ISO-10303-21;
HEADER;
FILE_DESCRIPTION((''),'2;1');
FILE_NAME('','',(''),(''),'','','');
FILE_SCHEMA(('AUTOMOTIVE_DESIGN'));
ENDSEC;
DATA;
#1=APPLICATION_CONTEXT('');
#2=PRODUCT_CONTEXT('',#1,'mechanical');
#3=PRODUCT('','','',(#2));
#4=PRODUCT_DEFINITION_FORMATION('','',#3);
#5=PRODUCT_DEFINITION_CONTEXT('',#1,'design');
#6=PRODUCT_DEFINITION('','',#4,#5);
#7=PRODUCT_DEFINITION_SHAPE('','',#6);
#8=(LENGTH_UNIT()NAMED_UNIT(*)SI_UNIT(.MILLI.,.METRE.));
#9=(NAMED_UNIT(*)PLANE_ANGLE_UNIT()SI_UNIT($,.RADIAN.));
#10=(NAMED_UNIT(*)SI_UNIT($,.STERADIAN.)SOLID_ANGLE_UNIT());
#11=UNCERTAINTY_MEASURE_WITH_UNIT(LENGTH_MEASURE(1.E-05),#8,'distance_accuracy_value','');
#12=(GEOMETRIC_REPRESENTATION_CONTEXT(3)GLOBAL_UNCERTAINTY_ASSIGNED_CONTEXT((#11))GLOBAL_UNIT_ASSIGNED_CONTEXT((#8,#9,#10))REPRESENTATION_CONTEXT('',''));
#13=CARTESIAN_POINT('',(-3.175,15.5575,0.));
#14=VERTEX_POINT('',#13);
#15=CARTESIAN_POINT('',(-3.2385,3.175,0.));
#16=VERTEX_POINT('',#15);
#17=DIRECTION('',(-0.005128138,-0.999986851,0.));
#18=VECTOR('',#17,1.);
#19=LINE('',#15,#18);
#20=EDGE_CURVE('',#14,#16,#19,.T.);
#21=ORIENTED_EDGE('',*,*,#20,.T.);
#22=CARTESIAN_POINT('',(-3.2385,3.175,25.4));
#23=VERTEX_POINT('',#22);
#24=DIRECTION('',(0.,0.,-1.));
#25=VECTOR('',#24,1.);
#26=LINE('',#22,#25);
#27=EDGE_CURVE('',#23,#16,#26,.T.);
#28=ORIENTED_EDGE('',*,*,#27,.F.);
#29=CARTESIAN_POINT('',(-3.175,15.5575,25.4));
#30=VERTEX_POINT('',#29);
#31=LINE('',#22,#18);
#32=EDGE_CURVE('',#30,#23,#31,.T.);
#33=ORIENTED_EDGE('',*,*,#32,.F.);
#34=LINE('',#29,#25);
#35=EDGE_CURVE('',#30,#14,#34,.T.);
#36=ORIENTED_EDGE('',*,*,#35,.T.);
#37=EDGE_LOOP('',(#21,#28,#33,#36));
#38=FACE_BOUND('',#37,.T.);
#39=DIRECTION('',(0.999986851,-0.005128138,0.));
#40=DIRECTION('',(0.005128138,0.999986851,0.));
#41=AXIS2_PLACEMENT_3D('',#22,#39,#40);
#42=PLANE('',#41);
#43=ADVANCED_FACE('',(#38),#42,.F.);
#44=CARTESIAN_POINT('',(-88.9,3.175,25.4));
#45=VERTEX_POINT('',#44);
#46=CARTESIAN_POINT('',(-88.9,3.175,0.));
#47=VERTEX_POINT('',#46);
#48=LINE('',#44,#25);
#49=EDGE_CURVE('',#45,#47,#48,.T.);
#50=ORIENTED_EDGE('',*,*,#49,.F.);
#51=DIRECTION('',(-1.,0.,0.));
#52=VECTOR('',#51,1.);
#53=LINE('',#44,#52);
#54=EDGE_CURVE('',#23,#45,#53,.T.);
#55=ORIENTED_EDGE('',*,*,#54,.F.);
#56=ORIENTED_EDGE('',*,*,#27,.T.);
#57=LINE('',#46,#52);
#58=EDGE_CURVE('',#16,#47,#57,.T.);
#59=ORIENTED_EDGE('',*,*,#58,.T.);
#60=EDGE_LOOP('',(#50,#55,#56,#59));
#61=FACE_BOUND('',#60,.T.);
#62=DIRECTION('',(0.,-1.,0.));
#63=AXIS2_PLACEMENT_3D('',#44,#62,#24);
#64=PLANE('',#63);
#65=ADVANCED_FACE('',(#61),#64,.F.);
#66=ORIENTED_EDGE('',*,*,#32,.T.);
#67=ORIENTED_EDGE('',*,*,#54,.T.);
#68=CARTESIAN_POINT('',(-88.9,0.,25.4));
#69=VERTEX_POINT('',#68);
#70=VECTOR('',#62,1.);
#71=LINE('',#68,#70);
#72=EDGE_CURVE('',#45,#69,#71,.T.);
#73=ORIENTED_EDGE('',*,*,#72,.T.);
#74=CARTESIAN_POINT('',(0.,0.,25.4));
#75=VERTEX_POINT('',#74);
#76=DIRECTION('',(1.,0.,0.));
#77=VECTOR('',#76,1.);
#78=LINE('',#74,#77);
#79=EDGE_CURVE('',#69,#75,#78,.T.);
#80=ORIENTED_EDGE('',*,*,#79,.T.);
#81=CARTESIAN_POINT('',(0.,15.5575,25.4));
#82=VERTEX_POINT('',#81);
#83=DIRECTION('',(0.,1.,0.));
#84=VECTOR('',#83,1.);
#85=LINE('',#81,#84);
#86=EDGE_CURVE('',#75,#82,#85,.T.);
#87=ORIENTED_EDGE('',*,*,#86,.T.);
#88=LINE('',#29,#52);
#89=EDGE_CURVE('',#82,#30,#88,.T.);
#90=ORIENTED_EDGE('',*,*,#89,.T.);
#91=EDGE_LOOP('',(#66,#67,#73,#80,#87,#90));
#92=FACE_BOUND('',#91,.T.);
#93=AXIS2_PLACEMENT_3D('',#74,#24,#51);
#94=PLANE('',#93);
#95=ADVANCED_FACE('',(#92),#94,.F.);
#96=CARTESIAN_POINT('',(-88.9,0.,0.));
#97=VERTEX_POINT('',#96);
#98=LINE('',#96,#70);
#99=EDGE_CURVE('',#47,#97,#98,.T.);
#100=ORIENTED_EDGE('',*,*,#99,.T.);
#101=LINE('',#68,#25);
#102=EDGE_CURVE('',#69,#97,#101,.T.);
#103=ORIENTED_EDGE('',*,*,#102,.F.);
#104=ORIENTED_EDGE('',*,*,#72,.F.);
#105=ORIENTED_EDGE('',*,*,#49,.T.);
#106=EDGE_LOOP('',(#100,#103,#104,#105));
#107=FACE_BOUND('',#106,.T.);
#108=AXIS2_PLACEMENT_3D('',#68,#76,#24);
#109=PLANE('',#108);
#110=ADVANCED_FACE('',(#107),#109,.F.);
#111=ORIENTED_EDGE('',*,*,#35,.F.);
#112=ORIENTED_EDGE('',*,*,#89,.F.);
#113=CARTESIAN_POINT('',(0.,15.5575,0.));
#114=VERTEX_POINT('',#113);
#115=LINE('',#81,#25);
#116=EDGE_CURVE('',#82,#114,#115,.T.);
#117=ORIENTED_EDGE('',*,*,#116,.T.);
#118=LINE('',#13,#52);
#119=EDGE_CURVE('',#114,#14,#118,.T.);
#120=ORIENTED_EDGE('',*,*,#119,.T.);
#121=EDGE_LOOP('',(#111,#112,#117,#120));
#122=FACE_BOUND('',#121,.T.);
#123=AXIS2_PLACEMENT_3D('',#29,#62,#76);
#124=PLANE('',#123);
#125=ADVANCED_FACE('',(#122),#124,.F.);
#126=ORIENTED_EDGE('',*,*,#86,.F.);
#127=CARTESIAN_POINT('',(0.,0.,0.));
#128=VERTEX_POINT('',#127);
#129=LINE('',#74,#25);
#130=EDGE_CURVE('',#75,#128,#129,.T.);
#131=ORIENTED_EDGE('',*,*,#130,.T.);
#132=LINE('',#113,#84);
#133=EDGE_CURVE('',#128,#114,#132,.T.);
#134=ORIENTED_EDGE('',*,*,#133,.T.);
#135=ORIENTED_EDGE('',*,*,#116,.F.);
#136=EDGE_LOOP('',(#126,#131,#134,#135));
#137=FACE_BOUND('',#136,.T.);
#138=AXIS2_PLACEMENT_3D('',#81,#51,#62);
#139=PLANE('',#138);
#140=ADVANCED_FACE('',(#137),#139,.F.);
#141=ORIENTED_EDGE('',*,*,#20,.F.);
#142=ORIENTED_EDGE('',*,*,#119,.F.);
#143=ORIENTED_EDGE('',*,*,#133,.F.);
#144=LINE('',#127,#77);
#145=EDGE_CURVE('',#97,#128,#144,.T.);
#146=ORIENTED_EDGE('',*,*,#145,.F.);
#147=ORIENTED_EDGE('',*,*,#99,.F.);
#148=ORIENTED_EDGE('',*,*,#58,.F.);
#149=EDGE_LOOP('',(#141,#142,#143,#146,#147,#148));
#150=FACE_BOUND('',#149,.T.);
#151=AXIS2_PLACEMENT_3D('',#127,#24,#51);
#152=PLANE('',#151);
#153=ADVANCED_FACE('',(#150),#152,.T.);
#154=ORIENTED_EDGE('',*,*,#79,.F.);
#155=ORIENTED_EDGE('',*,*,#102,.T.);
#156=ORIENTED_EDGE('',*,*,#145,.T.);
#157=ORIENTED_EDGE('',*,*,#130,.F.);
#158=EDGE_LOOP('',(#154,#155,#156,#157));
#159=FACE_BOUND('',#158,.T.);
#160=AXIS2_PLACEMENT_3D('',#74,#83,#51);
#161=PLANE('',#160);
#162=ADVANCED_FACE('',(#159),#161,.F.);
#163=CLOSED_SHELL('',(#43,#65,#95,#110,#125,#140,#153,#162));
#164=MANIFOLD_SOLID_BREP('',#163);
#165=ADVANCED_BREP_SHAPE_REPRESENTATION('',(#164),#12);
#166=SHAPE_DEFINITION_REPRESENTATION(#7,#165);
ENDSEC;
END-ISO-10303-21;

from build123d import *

# Parameters (mm, degrees)
BOSS_EXTRUDE1_DEPTH = 25.4


with BuildPart() as part:
    # Sketch1 → Boss-Extrude1 (new body)
    with BuildSketch(Plane.XY):
        Polygon((0, 0), (-88.9, 0), (-88.9, 3.175), (-3.2385, 3.175), (-3.175, 15.5575), (0, 15.5575), align=None)
    extrude(amount=BOSS_EXTRUDE1_DEPTH)


solid = part.part
